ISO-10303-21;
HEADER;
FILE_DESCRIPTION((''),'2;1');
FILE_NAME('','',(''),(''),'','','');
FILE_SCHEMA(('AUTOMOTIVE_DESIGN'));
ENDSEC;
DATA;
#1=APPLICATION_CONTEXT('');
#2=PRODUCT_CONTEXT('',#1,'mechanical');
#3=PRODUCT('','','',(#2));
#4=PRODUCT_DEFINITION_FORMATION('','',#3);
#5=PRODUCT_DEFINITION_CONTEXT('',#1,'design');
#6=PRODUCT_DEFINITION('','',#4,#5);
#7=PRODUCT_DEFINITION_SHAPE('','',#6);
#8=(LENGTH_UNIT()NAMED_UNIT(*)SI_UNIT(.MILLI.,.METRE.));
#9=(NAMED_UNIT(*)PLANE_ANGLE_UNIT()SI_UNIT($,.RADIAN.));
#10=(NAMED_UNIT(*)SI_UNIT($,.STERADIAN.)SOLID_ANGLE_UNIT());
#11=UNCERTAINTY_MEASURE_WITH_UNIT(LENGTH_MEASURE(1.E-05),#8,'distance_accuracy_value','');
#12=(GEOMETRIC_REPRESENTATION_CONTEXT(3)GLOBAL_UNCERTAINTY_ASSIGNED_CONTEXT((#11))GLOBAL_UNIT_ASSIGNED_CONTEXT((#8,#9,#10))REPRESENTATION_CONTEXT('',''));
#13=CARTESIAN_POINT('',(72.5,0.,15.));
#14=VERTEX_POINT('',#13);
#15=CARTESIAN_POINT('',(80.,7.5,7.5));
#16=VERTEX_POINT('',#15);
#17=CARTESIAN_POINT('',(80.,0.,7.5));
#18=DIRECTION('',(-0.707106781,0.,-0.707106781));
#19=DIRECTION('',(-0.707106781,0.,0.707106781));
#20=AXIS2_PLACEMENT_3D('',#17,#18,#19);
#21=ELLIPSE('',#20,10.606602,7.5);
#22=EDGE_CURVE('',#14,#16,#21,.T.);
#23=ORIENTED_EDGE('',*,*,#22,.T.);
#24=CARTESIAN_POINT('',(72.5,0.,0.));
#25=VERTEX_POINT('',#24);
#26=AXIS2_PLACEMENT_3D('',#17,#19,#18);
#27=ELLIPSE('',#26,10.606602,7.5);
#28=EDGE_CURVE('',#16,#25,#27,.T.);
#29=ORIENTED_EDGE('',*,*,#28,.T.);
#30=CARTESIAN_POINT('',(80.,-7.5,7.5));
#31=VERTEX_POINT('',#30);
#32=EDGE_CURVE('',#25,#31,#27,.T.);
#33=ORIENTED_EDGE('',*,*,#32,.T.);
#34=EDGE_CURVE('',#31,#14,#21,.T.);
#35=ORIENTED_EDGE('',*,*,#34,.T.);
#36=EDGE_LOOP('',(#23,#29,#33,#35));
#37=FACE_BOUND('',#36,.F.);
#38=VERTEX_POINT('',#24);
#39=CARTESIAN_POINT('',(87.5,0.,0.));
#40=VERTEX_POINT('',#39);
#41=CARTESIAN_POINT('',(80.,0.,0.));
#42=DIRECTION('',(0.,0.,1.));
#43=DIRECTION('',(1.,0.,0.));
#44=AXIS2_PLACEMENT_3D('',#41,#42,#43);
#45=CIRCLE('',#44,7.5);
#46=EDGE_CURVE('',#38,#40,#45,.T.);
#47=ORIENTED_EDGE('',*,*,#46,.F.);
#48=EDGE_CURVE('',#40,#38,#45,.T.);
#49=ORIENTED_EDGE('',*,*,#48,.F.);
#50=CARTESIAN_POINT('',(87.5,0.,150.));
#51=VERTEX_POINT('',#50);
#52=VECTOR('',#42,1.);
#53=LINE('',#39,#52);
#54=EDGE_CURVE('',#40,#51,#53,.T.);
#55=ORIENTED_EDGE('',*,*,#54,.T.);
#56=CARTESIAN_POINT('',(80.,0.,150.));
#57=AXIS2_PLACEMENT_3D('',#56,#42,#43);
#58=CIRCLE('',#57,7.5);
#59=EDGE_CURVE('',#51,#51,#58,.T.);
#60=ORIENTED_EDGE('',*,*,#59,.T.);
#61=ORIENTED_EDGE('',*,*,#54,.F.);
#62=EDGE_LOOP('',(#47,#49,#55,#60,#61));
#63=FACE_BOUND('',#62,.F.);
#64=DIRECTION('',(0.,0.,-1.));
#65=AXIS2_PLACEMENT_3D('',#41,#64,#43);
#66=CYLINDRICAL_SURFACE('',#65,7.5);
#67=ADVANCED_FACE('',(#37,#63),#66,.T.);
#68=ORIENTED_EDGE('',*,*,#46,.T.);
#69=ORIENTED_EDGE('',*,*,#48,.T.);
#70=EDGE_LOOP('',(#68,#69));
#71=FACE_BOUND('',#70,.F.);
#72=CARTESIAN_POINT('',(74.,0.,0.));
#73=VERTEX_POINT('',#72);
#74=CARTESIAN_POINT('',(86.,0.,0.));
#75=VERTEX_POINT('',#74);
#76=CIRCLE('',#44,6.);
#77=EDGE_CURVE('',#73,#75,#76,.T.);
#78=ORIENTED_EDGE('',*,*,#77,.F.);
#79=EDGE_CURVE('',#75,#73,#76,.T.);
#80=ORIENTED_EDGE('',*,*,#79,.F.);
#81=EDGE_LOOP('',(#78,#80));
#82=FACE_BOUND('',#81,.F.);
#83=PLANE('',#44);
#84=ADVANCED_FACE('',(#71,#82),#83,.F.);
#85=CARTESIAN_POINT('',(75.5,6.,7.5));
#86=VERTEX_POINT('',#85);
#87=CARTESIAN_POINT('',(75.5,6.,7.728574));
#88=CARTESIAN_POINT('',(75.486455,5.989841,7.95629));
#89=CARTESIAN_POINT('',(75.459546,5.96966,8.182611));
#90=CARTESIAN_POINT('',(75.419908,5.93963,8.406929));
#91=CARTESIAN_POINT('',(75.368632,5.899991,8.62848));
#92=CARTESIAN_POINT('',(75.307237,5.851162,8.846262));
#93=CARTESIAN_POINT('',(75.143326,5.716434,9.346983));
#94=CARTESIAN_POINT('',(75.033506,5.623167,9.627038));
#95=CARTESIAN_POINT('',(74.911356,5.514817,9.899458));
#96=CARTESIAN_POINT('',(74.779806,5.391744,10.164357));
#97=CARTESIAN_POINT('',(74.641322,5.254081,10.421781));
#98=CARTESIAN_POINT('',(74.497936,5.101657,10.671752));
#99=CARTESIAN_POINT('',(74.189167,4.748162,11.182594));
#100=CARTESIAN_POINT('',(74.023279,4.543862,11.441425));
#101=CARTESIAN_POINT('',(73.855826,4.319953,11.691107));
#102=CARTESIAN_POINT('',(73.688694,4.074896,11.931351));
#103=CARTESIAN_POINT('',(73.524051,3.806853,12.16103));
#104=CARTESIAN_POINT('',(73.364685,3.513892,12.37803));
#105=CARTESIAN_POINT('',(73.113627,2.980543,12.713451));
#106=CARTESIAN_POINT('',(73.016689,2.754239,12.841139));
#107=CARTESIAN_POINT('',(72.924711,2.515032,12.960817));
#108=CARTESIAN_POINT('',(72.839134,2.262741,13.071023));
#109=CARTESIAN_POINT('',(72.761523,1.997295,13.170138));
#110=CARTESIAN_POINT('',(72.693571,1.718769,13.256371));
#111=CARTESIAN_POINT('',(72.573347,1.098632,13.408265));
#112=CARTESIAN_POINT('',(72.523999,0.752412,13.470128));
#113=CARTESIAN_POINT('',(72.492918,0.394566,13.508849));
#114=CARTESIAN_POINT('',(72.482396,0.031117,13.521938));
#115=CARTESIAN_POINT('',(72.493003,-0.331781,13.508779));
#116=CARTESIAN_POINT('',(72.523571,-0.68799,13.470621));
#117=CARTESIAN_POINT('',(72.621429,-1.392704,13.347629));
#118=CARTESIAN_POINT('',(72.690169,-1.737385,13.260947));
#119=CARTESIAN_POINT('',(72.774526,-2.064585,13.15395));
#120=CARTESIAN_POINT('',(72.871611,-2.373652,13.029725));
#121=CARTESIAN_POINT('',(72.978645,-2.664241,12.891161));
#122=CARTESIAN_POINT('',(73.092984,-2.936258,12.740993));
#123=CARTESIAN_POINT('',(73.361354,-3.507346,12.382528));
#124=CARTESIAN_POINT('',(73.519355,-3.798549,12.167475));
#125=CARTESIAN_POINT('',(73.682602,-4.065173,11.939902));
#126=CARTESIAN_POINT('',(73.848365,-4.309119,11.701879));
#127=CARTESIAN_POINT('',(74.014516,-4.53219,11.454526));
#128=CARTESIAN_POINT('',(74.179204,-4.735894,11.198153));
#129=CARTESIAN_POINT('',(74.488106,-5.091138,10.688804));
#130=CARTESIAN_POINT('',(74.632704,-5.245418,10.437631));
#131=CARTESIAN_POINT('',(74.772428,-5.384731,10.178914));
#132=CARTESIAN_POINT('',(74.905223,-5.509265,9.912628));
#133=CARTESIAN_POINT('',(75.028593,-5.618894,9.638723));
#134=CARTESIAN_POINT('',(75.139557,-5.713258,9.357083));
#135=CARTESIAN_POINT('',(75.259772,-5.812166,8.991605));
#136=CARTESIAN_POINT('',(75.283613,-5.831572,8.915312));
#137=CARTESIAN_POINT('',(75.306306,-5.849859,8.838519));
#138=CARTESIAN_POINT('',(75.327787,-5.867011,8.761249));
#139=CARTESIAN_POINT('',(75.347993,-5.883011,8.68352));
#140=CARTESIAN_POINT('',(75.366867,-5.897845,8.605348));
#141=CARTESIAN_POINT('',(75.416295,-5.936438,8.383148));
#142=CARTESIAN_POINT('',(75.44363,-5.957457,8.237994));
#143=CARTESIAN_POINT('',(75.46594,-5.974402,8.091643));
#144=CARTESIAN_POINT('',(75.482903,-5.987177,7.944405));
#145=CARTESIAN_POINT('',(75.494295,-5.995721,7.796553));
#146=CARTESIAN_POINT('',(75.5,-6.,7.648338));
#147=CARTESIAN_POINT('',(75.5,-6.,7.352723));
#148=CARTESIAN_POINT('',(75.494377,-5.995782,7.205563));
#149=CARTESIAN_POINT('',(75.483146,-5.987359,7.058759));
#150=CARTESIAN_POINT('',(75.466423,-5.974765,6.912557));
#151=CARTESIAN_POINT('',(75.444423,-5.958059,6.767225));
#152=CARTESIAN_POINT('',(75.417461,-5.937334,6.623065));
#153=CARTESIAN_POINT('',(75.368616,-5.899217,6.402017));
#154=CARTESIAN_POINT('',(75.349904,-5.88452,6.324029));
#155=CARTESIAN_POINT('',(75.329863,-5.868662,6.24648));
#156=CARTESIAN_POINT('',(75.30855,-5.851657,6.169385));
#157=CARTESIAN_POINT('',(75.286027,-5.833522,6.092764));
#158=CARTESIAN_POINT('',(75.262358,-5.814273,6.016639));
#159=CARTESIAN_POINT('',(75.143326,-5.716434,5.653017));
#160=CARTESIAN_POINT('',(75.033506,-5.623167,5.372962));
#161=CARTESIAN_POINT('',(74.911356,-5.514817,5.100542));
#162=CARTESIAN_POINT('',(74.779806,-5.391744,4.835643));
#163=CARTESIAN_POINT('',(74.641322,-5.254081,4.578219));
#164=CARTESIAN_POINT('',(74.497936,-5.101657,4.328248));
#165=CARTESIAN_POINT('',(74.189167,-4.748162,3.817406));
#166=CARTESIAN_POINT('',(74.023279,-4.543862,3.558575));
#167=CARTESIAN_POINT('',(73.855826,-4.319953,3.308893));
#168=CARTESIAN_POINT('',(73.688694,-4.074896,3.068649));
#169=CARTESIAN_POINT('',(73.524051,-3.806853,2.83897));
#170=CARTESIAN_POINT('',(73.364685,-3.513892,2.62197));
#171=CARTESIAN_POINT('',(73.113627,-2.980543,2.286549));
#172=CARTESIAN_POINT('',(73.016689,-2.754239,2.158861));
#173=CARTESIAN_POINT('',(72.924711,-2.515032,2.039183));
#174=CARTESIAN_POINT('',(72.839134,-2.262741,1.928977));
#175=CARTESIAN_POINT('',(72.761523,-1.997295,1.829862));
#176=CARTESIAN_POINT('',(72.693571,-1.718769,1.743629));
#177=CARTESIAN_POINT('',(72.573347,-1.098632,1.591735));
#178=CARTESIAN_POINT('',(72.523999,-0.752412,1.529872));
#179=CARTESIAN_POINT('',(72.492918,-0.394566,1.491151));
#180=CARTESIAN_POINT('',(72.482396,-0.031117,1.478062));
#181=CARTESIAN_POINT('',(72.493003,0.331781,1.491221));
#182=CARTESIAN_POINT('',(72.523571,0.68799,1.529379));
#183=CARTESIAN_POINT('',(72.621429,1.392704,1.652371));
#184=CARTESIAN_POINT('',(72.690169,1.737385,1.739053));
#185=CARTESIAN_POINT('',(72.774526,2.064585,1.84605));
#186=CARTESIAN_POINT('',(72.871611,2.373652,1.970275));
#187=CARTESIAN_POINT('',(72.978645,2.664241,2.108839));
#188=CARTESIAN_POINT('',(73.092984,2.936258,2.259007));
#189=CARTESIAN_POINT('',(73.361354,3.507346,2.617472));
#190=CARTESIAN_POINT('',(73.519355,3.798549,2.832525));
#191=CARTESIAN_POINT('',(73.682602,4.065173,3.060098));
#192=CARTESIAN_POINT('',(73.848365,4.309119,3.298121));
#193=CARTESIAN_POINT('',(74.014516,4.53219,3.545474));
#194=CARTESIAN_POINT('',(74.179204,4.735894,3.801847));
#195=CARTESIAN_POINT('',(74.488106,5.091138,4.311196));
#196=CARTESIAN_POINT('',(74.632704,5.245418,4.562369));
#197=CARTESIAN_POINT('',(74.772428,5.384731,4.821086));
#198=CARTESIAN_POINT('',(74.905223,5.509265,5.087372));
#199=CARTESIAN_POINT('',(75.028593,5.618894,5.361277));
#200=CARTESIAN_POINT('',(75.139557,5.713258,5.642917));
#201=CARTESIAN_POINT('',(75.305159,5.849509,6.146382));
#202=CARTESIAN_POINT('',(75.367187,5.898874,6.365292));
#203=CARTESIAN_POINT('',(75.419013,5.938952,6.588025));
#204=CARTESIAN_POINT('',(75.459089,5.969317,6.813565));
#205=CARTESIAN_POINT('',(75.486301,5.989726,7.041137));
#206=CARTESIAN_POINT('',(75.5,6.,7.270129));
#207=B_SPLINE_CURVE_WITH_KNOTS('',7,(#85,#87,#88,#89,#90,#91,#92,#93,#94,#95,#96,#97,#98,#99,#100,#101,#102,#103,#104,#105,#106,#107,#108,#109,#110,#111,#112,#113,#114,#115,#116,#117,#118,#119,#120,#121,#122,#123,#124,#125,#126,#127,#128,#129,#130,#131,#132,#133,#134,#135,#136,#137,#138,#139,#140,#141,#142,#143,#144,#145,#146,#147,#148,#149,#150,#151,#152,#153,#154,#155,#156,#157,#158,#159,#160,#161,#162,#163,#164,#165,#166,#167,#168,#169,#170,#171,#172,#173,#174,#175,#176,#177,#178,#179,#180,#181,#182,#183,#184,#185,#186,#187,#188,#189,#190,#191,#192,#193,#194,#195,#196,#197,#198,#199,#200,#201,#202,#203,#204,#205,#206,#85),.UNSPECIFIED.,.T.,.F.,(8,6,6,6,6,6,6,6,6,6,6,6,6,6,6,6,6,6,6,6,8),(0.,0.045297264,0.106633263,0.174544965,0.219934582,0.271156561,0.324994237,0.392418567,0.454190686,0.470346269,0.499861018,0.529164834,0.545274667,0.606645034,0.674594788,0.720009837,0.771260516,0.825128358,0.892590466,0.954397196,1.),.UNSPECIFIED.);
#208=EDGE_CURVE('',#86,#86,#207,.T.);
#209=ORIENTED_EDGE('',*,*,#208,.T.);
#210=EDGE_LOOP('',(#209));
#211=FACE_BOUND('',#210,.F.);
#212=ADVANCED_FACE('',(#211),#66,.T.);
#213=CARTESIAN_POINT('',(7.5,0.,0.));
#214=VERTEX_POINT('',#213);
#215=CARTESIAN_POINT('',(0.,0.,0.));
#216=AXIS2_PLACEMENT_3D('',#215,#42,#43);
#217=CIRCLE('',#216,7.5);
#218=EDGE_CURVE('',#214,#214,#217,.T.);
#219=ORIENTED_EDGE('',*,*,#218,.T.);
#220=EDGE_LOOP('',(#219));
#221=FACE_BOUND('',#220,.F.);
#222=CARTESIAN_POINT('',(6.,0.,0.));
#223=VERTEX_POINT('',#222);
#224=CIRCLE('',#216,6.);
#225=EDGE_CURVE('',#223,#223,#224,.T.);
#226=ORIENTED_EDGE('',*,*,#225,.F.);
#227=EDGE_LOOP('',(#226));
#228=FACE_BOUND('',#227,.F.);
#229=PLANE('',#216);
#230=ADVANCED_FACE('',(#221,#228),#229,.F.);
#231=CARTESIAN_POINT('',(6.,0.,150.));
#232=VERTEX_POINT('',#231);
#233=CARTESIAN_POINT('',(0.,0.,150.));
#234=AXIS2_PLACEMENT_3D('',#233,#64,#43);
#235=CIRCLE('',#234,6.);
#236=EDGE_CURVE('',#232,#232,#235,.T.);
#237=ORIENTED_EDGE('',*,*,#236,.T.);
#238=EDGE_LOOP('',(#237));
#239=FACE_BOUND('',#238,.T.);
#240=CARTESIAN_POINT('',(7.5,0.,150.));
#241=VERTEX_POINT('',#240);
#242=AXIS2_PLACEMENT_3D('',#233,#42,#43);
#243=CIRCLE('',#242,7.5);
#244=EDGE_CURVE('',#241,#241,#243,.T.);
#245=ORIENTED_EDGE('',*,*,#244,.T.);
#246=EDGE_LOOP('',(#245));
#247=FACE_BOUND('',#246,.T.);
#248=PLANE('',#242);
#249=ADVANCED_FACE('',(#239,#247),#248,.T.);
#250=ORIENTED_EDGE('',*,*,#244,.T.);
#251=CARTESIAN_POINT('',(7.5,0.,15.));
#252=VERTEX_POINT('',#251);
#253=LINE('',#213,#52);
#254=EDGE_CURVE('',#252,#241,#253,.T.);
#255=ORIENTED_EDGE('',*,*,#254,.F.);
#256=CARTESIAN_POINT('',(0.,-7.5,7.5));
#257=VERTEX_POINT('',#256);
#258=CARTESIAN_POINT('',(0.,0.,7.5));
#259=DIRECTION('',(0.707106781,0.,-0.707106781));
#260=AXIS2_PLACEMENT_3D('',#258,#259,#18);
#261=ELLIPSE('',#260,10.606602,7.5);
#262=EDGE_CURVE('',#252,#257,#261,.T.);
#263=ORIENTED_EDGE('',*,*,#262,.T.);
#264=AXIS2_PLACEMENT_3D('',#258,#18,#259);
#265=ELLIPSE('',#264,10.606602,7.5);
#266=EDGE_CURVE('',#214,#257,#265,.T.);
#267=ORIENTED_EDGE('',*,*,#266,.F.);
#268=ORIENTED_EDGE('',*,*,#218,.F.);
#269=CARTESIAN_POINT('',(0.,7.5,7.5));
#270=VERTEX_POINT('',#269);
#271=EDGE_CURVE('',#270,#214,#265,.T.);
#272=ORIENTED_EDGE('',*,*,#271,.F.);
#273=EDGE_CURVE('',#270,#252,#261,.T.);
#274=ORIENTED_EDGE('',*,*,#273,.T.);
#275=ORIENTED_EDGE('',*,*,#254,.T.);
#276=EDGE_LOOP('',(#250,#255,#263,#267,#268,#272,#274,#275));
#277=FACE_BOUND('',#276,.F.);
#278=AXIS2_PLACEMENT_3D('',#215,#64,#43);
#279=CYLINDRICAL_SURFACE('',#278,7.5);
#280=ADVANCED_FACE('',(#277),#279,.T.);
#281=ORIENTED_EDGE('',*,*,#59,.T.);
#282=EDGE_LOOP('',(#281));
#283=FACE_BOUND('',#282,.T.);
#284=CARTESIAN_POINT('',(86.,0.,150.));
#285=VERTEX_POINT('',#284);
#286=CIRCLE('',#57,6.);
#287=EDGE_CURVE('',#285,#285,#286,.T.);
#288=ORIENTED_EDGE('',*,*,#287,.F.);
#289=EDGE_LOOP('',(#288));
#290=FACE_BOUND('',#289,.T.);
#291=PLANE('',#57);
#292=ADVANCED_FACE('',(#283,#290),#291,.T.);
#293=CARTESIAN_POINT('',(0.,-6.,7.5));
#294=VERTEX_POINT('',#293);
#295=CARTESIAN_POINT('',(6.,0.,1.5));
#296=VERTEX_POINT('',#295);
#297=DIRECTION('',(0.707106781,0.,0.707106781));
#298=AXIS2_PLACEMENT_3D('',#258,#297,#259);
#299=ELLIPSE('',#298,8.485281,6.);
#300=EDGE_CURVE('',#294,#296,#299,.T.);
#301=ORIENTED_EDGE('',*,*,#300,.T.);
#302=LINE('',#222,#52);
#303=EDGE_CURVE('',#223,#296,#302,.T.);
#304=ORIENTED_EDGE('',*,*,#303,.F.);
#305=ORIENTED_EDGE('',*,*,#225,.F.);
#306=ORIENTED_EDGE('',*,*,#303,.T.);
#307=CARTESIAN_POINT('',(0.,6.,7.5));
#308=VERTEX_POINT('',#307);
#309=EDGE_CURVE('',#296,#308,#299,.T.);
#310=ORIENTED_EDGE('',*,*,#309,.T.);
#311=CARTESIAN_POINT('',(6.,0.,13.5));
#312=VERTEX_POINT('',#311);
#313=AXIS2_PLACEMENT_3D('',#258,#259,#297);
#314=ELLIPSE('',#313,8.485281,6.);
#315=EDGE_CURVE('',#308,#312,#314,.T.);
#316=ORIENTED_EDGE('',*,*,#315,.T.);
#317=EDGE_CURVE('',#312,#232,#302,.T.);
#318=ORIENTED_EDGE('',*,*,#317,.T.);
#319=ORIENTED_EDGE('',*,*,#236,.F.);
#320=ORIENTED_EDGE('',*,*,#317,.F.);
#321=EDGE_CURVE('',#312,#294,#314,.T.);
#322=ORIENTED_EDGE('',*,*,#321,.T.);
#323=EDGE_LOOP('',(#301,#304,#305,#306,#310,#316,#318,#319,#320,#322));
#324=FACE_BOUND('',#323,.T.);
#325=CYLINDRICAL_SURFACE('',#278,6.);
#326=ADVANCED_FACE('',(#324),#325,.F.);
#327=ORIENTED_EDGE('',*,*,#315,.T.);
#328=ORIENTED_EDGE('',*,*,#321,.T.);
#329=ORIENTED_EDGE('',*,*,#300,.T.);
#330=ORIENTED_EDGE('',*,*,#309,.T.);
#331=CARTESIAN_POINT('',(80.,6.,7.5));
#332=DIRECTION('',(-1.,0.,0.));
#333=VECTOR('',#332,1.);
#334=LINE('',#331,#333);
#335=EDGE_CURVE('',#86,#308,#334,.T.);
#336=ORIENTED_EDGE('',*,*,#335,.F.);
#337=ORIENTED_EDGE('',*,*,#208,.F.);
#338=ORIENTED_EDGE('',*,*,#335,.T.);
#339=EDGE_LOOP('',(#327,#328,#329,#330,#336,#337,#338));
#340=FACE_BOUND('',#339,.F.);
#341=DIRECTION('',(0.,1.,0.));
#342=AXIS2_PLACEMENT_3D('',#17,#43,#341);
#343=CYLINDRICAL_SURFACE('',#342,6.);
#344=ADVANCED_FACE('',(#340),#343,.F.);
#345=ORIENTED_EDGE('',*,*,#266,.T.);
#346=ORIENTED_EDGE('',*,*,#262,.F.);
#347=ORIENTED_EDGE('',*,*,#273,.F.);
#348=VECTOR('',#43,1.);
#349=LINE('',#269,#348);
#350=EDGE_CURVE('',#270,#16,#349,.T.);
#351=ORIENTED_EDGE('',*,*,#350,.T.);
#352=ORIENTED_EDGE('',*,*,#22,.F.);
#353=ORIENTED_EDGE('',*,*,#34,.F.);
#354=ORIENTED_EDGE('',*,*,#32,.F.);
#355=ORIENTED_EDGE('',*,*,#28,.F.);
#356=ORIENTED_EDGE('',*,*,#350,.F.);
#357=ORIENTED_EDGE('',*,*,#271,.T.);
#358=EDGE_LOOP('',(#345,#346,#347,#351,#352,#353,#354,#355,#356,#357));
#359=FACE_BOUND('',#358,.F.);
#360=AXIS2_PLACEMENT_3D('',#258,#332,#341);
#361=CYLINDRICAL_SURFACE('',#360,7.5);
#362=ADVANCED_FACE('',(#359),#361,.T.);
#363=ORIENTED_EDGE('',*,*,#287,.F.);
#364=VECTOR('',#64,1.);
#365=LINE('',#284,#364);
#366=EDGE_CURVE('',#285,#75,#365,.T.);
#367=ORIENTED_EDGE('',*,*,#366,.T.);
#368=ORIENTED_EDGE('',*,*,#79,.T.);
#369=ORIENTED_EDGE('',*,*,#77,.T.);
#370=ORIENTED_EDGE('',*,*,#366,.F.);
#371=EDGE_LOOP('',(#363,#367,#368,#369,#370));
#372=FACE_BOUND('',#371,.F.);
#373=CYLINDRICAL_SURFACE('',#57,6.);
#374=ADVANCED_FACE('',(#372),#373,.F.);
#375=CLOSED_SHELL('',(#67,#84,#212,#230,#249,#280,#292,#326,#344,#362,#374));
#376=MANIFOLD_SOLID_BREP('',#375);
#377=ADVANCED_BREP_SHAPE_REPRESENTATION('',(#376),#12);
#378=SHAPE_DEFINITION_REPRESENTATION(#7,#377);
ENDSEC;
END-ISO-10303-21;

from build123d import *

# Parameters (mm, degrees)
F0_R      = 7.5
F1_DEPTH  = 150
F2_R      = 6
F3_DEPTH  = 300
F4_R      = 7.5
F5_DEPTH  = 80
F6_R      = 6
F7_DEPTH  = 80
F8_R      = 7.5
F9_DEPTH  = 150
F10_R     = 6
F11_DEPTH = 300
F12_R     = 6
F13_DEPTH = 300


with BuildPart() as f1:
    # F0 (on Top) → F1 (new body)
    with BuildSketch(Plane.XY):
        Circle(F0_R)
    extrude(amount=F1_DEPTH)

    # F2 (on face) → F3 (cut)
    with BuildSketch(Plane.XY):
        Circle(F2_R)
    extrude(amount=-F3_DEPTH, mode=Mode.SUBTRACT)

    # F4 (on Right) → F5 (join)
    with BuildSketch(Plane.YZ):
        with Locations((0, 7.5)):
            Circle(F4_R)
    extrude(amount=F5_DEPTH)

    # F6 (on face) → F7 (cut)
    with BuildSketch(Plane.YZ.offset(80)):
        with Locations((0, 7.5)):
            Circle(F6_R)
    extrude(amount=-F7_DEPTH, mode=Mode.SUBTRACT)

    # F8 (on Top) → F9 (join)
    with BuildSketch(Plane.XY):
        with Locations((80, 0)):
            Circle(F8_R)
    extrude(amount=F9_DEPTH)

    # F10 (on face) → F11 (cut)
    with BuildSketch(Plane.XY.offset(150)):
        with Locations((80, 0)):
            Circle(F10_R)
    extrude(amount=-F11_DEPTH, mode=Mode.SUBTRACT)

    # F12 (on Top) → F13 (cut)
    with BuildSketch(Plane.XY):
        Circle(F12_R)
    extrude(amount=F13_DEPTH, mode=Mode.SUBTRACT)


solid = f1.part
